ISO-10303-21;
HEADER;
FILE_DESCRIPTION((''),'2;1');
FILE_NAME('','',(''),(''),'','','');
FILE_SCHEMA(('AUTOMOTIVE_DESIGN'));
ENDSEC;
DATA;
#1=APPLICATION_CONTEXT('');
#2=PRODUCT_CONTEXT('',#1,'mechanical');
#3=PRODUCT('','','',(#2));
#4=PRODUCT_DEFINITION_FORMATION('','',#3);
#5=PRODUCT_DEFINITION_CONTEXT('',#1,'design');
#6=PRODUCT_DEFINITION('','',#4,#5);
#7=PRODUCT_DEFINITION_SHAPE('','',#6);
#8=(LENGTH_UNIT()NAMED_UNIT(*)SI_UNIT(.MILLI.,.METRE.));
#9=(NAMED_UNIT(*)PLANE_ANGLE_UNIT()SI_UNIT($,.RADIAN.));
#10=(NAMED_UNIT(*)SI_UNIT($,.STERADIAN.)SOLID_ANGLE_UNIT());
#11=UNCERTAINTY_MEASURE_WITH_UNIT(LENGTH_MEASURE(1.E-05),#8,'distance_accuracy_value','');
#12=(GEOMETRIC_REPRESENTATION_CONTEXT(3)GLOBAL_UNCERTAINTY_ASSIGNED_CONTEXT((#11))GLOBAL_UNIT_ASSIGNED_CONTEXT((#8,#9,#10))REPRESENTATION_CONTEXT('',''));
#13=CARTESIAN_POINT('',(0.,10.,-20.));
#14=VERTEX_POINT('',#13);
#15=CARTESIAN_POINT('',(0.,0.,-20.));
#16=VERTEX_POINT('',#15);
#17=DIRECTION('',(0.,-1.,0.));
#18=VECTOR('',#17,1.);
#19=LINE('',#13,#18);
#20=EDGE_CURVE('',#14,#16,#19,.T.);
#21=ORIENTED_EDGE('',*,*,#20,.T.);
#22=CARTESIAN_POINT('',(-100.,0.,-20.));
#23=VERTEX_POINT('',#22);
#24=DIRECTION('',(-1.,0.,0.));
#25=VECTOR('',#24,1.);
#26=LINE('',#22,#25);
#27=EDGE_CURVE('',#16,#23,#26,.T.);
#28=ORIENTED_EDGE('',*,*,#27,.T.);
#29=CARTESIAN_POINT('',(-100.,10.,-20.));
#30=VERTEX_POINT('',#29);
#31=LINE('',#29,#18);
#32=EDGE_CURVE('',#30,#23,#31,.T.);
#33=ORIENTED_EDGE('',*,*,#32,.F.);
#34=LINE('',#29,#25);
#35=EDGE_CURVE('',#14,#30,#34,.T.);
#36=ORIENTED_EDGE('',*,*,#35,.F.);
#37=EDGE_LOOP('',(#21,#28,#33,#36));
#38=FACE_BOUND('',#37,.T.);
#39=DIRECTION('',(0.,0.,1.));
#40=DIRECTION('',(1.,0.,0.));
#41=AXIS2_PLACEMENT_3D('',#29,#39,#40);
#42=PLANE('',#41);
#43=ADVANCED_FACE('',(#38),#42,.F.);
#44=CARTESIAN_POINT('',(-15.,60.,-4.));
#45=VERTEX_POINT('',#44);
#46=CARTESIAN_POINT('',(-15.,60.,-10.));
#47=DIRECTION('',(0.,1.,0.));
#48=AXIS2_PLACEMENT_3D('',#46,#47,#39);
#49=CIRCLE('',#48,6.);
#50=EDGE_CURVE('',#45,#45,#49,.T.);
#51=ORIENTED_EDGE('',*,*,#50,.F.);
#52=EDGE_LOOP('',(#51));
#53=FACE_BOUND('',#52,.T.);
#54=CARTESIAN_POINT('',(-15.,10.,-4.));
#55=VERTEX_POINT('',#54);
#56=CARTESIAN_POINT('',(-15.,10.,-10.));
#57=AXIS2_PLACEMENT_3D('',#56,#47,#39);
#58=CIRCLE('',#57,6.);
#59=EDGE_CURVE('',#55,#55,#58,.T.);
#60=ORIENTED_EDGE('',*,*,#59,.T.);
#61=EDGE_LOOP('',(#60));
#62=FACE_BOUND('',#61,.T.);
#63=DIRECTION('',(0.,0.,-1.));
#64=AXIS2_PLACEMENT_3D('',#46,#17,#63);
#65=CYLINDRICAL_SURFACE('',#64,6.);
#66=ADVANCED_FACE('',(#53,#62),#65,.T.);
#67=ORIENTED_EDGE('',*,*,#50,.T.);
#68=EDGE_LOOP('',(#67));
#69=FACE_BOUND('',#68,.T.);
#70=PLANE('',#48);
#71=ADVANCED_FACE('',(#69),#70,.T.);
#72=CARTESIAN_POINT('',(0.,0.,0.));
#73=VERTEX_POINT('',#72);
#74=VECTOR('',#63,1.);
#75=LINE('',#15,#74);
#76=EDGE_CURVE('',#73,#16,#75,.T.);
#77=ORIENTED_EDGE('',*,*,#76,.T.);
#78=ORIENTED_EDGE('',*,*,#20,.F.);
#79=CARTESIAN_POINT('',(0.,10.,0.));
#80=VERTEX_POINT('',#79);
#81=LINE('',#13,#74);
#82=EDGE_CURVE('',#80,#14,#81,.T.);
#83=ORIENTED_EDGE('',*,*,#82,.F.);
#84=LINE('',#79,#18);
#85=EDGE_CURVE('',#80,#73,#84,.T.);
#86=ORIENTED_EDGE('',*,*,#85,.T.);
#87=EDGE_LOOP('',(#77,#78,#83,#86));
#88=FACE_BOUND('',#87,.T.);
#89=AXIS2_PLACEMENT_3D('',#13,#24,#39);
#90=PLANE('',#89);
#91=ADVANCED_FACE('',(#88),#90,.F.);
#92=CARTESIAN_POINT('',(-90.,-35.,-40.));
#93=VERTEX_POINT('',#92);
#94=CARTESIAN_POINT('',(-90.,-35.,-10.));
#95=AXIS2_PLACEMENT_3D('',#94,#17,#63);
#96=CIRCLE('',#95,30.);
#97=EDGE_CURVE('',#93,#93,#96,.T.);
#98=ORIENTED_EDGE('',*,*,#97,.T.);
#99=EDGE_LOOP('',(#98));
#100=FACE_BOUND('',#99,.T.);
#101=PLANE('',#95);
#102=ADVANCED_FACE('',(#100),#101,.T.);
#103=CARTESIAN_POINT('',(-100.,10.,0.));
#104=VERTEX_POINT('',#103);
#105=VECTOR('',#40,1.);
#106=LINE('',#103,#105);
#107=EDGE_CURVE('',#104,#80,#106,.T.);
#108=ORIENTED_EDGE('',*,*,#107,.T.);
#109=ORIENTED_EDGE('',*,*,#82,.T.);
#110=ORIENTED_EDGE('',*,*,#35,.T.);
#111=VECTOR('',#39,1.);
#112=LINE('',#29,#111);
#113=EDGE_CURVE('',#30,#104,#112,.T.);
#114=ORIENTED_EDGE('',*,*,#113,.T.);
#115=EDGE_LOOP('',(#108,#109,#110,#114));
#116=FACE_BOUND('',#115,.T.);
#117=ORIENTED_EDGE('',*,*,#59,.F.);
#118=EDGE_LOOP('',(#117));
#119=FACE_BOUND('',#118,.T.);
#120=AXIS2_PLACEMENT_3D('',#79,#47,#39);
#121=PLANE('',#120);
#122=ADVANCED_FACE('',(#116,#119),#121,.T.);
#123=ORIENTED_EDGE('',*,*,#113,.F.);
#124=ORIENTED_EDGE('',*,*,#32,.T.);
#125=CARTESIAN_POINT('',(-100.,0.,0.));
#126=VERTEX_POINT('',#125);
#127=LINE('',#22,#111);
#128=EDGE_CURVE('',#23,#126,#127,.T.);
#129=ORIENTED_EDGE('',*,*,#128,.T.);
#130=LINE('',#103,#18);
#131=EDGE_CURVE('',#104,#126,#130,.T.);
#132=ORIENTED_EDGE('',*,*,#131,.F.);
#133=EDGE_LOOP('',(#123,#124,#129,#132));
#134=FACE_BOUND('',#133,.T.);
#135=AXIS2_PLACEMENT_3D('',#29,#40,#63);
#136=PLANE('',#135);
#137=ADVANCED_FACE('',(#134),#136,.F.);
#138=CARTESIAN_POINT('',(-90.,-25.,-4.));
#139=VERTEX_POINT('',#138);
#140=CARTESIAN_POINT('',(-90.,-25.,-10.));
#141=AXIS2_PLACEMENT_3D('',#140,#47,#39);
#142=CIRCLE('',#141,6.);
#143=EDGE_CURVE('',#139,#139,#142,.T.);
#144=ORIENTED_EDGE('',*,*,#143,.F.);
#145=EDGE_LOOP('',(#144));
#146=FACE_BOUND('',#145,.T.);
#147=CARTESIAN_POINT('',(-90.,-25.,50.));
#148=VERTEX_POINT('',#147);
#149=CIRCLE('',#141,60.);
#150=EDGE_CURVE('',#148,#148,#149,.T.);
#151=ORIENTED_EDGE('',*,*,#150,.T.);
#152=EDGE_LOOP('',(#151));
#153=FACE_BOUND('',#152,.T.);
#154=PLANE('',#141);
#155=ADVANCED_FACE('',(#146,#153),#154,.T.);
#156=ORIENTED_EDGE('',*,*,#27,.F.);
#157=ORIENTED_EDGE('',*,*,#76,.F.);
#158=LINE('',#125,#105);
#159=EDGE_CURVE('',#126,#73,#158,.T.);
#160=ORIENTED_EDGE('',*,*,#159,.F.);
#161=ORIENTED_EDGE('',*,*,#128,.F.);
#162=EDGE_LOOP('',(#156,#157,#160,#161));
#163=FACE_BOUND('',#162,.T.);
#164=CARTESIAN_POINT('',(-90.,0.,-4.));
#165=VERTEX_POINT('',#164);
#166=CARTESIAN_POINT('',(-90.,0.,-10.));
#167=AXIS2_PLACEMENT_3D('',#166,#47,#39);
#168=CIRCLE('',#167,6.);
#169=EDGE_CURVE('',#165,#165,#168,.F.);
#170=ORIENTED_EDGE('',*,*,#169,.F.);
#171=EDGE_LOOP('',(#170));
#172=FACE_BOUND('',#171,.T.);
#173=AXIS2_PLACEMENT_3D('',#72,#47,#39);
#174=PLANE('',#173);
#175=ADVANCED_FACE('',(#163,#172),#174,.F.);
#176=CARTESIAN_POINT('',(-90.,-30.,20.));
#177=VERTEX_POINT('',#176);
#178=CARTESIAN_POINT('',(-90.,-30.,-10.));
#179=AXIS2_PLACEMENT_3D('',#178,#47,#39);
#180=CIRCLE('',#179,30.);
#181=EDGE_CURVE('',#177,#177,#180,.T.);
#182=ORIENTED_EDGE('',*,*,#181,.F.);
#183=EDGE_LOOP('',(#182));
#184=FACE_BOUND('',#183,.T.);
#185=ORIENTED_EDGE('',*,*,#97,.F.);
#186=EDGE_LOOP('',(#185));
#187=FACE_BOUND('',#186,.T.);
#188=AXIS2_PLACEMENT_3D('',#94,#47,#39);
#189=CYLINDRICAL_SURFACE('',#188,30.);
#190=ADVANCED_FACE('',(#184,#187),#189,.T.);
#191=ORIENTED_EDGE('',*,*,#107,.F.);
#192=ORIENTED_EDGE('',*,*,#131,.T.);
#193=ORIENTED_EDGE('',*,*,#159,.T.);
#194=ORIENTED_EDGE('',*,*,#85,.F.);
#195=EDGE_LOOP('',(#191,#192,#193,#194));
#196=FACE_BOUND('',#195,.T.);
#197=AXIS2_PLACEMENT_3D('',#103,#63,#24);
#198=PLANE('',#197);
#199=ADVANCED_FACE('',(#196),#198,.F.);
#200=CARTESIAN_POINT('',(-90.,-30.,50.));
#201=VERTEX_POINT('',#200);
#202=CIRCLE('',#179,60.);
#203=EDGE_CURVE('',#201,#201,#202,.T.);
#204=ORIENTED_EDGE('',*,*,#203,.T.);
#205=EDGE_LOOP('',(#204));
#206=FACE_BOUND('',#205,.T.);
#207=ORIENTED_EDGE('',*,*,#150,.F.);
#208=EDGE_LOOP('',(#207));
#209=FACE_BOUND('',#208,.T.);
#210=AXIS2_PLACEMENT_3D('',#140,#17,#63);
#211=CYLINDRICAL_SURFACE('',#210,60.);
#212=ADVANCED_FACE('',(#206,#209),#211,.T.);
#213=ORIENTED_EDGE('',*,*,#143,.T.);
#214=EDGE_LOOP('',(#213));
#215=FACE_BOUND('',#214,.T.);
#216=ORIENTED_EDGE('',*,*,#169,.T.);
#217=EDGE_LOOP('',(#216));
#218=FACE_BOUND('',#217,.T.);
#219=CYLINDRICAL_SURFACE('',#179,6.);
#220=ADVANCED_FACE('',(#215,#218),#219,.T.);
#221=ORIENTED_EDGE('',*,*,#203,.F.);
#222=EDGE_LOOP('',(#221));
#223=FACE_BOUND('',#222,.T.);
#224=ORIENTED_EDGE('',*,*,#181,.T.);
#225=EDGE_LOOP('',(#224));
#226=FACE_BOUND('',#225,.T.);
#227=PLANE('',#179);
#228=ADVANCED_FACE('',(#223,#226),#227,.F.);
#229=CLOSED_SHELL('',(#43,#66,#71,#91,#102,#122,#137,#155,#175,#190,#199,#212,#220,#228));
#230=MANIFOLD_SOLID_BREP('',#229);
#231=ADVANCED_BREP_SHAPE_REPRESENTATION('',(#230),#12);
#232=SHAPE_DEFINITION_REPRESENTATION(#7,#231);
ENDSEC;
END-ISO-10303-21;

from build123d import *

# Parameters (mm, degrees)
SKETCH_1_W      = 100
SKETCH_1_H      = 20
EXTRUDE_1_DEPTH = 10
SKETCH_4_R      = 6
EXTRUDE_2_DEPTH = 50
SKETCH_6_R      = 6
EXTRUDE_3_DEPTH = 30
SKETCH_7_R      = 30
EXTRUDE_4_DEPTH = 5
SKETCH_8_R      = 60
EXTRUDE_5_DEPTH = 5


with BuildPart() as part:
    # ｽｹｯﾁ1 → ﾎﾞｽ - 押し出し1 (new body)
    with BuildSketch(Plane(origin=(0, 0, 0), x_dir=(1, 0, 0), z_dir=(0, 1, 0))):
        with Locations((-50, 10)):
            Rectangle(SKETCH_1_W, SKETCH_1_H)
    extrude(amount=EXTRUDE_1_DEPTH)

    # ｽｹｯﾁ4 → ﾎﾞｽ - 押し出し2 (add)
    with BuildSketch(Plane(origin=(0, 10, 0), x_dir=(1, 0, 0), z_dir=(0, 1, 0))):
        with Locations(Location((-15, 10, 0), (0, 0, 270))):
            Circle(SKETCH_4_R)
    extrude(amount=EXTRUDE_2_DEPTH)

    # ｽｹｯﾁ6 → ﾎﾞｽ - 押し出し3 (add)
    with BuildSketch(Plane.XZ):
        with Locations(Location((-90, -10, 0), (0, 0, 90))):
            Circle(SKETCH_6_R)
    extrude(amount=EXTRUDE_3_DEPTH)

    # ｽｹｯﾁ7 → ﾎﾞｽ - 押し出し4 (add)
    with BuildSketch(Plane.XZ.offset(30)):
        with Locations(Location((-90, -10, 0), (0, 0, 270))):
            Circle(SKETCH_7_R)
    extrude(amount=EXTRUDE_4_DEPTH)

    # ｽｹｯﾁ8 → ﾎﾞｽ - 押し出し5 (add)
    with BuildSketch(Plane(origin=(0, -30, 0), x_dir=(1, 0, 0), z_dir=(0, 1, 0))):
        with Locations(Location((-90, 10, 0), (0, 0, 270))):
            Circle(SKETCH_8_R)
    extrude(amount=EXTRUDE_5_DEPTH)


solid = part.part
